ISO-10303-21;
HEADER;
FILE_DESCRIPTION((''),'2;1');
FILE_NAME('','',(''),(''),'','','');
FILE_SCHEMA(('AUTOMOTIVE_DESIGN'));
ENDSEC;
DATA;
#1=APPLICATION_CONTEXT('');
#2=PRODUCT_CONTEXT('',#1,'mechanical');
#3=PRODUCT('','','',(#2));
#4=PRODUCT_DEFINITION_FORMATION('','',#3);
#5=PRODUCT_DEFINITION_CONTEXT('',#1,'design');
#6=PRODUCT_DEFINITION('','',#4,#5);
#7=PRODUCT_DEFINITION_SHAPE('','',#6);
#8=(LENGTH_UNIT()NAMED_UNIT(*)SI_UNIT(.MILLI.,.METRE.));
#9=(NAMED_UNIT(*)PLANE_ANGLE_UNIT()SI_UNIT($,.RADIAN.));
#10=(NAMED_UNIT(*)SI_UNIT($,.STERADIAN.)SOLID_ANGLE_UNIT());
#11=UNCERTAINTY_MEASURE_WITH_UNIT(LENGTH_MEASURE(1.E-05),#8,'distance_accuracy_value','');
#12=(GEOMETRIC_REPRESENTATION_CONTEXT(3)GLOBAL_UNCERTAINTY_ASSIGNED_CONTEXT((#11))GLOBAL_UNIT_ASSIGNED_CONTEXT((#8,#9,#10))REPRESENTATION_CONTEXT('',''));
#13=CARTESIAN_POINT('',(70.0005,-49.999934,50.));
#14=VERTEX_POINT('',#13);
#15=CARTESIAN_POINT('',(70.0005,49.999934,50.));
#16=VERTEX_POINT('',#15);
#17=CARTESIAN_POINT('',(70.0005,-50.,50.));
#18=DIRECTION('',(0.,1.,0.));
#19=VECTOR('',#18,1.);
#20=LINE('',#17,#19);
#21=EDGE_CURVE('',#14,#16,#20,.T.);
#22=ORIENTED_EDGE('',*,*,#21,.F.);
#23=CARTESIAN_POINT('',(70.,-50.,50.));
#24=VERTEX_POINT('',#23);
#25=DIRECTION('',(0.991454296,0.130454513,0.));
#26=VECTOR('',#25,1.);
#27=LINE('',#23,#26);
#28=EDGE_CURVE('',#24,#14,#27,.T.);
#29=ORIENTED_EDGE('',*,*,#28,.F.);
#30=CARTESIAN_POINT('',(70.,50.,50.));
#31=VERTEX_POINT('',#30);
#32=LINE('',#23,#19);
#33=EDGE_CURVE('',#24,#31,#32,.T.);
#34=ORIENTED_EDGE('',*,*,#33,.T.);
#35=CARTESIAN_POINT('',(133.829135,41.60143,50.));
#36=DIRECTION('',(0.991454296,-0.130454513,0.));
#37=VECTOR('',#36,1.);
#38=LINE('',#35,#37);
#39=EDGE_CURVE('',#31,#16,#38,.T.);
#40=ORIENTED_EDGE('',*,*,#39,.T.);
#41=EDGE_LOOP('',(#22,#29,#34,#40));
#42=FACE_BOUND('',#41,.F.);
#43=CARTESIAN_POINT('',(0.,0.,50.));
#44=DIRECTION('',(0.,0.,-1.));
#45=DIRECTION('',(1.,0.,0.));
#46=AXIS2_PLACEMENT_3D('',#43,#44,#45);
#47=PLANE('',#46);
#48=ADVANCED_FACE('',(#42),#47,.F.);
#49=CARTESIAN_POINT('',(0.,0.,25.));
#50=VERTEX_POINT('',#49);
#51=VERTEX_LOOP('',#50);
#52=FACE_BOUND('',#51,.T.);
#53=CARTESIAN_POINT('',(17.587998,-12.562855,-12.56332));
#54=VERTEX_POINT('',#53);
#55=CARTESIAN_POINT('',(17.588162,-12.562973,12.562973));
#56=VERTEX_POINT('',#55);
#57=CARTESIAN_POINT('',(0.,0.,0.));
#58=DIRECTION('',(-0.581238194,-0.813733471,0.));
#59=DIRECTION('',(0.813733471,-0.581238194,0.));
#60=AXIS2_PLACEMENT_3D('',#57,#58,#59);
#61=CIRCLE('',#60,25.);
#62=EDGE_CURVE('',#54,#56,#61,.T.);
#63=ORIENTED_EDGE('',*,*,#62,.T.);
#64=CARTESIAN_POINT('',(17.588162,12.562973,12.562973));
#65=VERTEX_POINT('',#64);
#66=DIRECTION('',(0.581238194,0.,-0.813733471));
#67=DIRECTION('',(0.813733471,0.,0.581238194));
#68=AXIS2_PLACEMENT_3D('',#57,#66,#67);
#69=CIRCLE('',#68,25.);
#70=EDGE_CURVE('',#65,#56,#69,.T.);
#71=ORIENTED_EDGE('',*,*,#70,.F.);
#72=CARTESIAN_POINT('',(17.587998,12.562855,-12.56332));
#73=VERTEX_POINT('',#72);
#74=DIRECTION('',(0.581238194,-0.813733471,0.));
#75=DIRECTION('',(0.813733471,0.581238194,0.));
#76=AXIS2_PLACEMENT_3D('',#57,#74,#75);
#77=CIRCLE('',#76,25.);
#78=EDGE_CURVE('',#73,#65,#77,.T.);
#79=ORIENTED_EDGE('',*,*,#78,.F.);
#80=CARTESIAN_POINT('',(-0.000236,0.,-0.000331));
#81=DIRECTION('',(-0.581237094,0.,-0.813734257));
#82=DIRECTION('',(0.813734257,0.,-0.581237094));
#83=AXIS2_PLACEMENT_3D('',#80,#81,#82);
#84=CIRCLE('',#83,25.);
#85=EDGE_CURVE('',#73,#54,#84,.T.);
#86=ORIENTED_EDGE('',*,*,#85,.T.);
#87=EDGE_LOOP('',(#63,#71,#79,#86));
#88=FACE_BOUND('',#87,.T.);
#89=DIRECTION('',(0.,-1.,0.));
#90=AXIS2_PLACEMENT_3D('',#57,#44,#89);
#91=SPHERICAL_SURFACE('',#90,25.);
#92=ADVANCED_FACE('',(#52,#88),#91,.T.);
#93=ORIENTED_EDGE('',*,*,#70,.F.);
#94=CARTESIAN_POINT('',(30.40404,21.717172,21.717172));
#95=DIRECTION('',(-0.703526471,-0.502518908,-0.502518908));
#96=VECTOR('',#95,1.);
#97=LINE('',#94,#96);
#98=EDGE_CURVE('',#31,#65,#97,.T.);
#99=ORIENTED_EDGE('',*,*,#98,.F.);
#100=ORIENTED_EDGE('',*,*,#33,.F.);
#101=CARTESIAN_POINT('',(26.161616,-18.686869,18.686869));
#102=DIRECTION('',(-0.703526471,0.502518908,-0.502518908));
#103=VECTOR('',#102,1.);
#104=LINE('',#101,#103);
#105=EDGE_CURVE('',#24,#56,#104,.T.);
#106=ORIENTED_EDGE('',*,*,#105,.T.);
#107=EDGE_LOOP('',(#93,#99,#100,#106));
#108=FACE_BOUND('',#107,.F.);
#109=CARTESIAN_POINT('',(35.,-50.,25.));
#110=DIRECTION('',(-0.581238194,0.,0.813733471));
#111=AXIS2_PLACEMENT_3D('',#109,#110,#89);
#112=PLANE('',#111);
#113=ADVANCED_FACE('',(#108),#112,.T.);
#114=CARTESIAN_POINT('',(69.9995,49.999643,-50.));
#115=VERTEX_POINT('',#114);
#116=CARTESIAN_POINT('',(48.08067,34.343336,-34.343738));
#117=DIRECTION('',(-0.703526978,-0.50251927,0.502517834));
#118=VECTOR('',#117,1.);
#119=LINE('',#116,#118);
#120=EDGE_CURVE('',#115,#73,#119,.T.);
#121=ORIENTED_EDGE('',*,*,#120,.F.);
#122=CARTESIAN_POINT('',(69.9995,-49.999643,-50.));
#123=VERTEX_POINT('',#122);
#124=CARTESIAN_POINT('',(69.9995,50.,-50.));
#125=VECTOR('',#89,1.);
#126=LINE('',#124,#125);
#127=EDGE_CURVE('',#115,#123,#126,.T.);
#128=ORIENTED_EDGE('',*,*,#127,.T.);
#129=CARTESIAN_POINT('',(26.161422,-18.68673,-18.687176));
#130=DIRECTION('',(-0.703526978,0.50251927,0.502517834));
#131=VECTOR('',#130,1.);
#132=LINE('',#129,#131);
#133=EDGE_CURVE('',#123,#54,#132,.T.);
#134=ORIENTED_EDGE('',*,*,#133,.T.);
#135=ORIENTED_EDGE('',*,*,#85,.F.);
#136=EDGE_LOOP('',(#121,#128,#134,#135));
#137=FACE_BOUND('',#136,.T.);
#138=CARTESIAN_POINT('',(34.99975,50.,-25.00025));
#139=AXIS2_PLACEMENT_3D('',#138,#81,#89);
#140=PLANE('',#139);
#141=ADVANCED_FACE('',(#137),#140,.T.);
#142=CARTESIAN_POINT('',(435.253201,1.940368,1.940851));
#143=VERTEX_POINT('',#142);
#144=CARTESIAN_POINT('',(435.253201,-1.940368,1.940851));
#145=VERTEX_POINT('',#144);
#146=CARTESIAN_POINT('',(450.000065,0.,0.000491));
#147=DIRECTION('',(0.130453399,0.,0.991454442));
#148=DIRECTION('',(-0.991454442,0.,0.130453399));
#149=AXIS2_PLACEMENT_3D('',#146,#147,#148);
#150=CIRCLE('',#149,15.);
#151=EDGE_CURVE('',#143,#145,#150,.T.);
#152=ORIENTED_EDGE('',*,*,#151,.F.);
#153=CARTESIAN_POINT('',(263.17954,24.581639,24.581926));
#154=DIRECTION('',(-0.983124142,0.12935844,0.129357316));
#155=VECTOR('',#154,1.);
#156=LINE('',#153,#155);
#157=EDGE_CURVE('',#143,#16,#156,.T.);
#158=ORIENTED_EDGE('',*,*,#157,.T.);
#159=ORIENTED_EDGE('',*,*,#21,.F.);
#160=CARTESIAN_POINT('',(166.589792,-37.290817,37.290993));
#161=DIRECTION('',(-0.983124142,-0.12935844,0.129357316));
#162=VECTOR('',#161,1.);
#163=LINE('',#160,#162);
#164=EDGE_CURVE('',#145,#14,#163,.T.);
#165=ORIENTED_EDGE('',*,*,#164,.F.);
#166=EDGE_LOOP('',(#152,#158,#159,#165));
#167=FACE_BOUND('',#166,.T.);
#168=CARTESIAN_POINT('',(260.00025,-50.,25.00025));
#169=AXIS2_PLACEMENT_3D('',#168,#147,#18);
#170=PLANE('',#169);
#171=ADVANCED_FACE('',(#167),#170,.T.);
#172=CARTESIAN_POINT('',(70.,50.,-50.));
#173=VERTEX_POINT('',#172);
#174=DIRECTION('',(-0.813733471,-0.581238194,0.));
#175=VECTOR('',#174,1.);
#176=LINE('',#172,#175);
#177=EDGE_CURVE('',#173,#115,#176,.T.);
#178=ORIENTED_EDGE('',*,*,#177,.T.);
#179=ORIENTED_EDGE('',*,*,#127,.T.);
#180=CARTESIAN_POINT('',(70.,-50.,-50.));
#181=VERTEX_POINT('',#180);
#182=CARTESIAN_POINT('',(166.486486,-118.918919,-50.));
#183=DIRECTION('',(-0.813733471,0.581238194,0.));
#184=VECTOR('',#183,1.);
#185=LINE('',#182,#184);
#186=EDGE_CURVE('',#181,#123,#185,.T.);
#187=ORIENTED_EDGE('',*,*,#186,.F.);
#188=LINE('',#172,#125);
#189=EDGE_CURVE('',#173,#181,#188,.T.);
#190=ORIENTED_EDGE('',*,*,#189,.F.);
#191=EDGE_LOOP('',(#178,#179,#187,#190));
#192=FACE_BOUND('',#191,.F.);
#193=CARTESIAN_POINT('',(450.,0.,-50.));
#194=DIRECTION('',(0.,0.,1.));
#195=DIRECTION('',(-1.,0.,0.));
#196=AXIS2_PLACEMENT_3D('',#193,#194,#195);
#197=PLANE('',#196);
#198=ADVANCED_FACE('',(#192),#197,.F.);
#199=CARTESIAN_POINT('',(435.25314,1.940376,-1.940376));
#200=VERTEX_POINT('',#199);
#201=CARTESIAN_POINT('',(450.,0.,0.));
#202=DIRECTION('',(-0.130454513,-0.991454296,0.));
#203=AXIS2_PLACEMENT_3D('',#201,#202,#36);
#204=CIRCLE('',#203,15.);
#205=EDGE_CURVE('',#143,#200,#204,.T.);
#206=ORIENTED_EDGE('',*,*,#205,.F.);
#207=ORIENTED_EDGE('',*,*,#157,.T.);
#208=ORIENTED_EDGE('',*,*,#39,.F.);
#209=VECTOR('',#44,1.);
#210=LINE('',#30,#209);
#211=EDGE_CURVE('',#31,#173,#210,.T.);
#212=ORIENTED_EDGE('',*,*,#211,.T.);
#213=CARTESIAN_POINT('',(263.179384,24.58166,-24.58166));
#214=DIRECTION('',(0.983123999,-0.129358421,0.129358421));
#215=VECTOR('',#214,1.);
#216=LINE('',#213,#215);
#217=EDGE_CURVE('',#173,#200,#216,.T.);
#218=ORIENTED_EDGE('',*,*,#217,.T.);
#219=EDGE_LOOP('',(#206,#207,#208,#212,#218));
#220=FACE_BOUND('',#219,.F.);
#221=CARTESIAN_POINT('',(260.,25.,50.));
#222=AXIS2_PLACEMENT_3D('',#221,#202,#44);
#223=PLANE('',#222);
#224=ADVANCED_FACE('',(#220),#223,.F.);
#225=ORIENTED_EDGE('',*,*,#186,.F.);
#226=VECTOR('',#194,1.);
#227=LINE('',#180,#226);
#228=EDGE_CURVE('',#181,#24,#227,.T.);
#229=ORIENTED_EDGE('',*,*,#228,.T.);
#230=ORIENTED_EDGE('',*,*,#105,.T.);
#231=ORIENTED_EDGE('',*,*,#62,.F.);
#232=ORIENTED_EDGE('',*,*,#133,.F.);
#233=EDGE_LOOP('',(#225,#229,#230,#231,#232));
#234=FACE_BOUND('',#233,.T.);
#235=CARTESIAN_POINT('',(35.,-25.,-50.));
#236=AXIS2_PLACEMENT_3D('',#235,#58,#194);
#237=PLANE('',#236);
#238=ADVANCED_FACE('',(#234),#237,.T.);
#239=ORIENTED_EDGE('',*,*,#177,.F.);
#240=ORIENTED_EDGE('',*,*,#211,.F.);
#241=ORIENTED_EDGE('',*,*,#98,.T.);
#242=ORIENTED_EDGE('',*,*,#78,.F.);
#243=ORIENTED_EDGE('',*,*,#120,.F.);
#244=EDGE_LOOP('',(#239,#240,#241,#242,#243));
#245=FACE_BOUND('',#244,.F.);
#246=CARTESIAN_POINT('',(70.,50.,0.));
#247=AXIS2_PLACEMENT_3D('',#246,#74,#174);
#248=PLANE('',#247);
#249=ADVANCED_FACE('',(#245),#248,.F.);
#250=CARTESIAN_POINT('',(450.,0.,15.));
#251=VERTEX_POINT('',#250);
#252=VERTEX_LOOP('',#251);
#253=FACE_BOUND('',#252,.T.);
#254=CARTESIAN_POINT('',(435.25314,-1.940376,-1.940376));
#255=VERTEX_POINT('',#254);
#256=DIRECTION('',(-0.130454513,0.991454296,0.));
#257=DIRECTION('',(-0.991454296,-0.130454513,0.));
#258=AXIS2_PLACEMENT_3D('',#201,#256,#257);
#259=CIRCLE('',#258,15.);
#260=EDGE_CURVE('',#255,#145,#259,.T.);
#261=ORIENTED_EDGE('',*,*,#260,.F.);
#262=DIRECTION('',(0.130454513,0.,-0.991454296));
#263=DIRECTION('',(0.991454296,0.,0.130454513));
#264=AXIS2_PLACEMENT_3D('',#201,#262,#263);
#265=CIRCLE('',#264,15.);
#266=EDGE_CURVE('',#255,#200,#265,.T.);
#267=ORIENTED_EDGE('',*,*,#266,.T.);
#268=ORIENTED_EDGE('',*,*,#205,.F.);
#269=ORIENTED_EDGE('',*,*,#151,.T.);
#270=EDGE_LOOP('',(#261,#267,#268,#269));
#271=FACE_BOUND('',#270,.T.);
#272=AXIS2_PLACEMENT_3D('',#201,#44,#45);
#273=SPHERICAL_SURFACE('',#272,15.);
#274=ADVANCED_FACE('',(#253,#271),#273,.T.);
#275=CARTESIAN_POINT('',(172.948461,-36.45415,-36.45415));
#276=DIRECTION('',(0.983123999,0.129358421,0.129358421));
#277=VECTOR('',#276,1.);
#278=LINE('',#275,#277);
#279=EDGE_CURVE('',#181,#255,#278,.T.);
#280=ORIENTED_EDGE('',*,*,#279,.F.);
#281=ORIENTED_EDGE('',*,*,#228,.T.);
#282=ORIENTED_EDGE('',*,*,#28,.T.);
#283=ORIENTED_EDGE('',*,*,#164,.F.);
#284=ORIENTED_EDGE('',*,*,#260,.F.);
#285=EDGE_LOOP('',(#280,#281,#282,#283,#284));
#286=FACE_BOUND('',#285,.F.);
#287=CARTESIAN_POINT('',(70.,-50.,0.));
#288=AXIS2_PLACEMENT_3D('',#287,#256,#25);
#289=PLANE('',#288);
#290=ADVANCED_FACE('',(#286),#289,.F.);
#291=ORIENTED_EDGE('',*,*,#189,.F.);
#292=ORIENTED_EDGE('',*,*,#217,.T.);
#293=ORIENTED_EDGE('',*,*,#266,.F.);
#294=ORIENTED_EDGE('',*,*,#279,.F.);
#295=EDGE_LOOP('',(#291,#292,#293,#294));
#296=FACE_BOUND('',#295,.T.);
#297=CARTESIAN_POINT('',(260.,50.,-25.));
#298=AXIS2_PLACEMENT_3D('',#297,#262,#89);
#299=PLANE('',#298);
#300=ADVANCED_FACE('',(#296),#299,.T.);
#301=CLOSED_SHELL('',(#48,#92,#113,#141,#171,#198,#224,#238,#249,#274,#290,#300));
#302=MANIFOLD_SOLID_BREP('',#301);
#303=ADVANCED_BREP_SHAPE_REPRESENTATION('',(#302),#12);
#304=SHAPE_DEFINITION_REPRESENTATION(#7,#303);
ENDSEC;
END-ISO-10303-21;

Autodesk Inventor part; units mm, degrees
ref_plane "YZ Plane" through (0, 0, 0) normal (1, 0, 0) x (0, 1, 0)
ref_plane "XZ Plane" through (0, 0, 0) normal (0, 1, 0) x (-1, 0, 0)
ref_plane "XY Plane" through (0, 0, 0) normal (0, 0, 1) x (1, 0, 0)
sketch "草圖3" plane through (0, 0, 0) normal (0, 1, 0) x (-1, 0, 0)
  line L0 (0, 50) -> (-450, 50)
  line L1 (-450, 50) -> (-450, -50)
  line L2 (-450, -50) -> (0, -50)
  line L3 (0, -50) -> (0, 50)
  point P0 (0, 0)
  point P1 (0, 0)
  dimension "d17" = 100
  dimension "d18" = 450
extrude "擠出3" add sketch "草圖3" along normal mid plane 100
chamfer "倒角4" distance 50 distance2 70 1 edges at (0, 0, 50) measured on face at (0, -16.6667, -16.6667)
chamfer "倒角5" distance 70 distance2 50 1 edges at (0, -50, -25) measured on face at (173.3333, -50, -16.6667)
chamfer "倒角6" distance 70 distance2 50 1 edges at (0, 25, -50) measured on face at (173.3333, 16.6667, -50)
chamfer "倒角8" distance 50 distance2 380 1 edges at (450, 0, -50) measured on face at (450, 16.6667, -16.6667)
chamfer "倒角9" distance 380 distance2 50 1 edges at (450, 50, 25) measured on face at (196.6667, 50, 0)
chamfer "倒角10" distance 50 distance2 380 1 edges at (450, -25, 50) measured on face at (450, -33.3333, 33.3333)
sketch "草圖4" plane through (0, 0, 0) normal (0, 0, 1) x (1, 0, 0)
  line L0 (450, -50) -> (70, -50) projected
  line L1 (450, 0) -> (70, 50) projected
  line L2 (70, -50) -> (450, 0)
  line L3 (450, 0) -> (450, -50) projected
  line L4 (450, 0) -> (450, -50)
  line L5 (450, -50) -> (70, -50)
  point P0 (0, 0)
  point P1 (70, 50)
  point P2 (170, -50)
  point P3 (170, 50)
extrude "擠出4" cut sketch "草圖4" along normal mid plane 100
sketch "草圖5" plane through (0, 0, 0) normal (0, 0, 1) x (1, 0, 0)
  line L0 (70, -50) -> (0, 0) projected
  line L1 (0, 50) -> (0, 0) projected
  line L2 (0, 0) -> (0, 50)
  line L3 (70, 50) -> (70, -50) projected
  line L4 (0, 50) -> (70, 50)
  line L5 (70, 50) -> (0, 0)
extrude "擠出5" cut sketch "草圖5" along normal mid plane 100 contours L1 L4 L5
sketch "草圖6" plane through (0, 0, 0) normal (1, 0, 0) x (0, 1, 0)
  circle A0 centre (0, 0) radius 25
  line L0 (0, 25) -> (0, -25)
  point P0 (0, 0)
  dimension "d46" = 50
revolve "迴轉1" add sketch "草圖6" angle 360 about axis through (0, 0, 25) along (0, 0, -1) picked at (-8.8525, -4.4917) contours L0 A0
sketch "草圖7" plane through (0, 0, 0) normal (0, 1, 0) x (-1, 0, 0)
  line L0 (-450, 0) -> (-70, -50) projected
  circle A0 centre (-450, 0) radius 15
  line L1 (-450, 15) -> (-450, -15)
  point P0 (0, 0)
  dimension "d48" = 30
revolve "迴轉2" add sketch "草圖7" angle 360 about axis through (450, 0, 15) along (0, 0, -1) contours L1 A0
properties part number "Bone"
